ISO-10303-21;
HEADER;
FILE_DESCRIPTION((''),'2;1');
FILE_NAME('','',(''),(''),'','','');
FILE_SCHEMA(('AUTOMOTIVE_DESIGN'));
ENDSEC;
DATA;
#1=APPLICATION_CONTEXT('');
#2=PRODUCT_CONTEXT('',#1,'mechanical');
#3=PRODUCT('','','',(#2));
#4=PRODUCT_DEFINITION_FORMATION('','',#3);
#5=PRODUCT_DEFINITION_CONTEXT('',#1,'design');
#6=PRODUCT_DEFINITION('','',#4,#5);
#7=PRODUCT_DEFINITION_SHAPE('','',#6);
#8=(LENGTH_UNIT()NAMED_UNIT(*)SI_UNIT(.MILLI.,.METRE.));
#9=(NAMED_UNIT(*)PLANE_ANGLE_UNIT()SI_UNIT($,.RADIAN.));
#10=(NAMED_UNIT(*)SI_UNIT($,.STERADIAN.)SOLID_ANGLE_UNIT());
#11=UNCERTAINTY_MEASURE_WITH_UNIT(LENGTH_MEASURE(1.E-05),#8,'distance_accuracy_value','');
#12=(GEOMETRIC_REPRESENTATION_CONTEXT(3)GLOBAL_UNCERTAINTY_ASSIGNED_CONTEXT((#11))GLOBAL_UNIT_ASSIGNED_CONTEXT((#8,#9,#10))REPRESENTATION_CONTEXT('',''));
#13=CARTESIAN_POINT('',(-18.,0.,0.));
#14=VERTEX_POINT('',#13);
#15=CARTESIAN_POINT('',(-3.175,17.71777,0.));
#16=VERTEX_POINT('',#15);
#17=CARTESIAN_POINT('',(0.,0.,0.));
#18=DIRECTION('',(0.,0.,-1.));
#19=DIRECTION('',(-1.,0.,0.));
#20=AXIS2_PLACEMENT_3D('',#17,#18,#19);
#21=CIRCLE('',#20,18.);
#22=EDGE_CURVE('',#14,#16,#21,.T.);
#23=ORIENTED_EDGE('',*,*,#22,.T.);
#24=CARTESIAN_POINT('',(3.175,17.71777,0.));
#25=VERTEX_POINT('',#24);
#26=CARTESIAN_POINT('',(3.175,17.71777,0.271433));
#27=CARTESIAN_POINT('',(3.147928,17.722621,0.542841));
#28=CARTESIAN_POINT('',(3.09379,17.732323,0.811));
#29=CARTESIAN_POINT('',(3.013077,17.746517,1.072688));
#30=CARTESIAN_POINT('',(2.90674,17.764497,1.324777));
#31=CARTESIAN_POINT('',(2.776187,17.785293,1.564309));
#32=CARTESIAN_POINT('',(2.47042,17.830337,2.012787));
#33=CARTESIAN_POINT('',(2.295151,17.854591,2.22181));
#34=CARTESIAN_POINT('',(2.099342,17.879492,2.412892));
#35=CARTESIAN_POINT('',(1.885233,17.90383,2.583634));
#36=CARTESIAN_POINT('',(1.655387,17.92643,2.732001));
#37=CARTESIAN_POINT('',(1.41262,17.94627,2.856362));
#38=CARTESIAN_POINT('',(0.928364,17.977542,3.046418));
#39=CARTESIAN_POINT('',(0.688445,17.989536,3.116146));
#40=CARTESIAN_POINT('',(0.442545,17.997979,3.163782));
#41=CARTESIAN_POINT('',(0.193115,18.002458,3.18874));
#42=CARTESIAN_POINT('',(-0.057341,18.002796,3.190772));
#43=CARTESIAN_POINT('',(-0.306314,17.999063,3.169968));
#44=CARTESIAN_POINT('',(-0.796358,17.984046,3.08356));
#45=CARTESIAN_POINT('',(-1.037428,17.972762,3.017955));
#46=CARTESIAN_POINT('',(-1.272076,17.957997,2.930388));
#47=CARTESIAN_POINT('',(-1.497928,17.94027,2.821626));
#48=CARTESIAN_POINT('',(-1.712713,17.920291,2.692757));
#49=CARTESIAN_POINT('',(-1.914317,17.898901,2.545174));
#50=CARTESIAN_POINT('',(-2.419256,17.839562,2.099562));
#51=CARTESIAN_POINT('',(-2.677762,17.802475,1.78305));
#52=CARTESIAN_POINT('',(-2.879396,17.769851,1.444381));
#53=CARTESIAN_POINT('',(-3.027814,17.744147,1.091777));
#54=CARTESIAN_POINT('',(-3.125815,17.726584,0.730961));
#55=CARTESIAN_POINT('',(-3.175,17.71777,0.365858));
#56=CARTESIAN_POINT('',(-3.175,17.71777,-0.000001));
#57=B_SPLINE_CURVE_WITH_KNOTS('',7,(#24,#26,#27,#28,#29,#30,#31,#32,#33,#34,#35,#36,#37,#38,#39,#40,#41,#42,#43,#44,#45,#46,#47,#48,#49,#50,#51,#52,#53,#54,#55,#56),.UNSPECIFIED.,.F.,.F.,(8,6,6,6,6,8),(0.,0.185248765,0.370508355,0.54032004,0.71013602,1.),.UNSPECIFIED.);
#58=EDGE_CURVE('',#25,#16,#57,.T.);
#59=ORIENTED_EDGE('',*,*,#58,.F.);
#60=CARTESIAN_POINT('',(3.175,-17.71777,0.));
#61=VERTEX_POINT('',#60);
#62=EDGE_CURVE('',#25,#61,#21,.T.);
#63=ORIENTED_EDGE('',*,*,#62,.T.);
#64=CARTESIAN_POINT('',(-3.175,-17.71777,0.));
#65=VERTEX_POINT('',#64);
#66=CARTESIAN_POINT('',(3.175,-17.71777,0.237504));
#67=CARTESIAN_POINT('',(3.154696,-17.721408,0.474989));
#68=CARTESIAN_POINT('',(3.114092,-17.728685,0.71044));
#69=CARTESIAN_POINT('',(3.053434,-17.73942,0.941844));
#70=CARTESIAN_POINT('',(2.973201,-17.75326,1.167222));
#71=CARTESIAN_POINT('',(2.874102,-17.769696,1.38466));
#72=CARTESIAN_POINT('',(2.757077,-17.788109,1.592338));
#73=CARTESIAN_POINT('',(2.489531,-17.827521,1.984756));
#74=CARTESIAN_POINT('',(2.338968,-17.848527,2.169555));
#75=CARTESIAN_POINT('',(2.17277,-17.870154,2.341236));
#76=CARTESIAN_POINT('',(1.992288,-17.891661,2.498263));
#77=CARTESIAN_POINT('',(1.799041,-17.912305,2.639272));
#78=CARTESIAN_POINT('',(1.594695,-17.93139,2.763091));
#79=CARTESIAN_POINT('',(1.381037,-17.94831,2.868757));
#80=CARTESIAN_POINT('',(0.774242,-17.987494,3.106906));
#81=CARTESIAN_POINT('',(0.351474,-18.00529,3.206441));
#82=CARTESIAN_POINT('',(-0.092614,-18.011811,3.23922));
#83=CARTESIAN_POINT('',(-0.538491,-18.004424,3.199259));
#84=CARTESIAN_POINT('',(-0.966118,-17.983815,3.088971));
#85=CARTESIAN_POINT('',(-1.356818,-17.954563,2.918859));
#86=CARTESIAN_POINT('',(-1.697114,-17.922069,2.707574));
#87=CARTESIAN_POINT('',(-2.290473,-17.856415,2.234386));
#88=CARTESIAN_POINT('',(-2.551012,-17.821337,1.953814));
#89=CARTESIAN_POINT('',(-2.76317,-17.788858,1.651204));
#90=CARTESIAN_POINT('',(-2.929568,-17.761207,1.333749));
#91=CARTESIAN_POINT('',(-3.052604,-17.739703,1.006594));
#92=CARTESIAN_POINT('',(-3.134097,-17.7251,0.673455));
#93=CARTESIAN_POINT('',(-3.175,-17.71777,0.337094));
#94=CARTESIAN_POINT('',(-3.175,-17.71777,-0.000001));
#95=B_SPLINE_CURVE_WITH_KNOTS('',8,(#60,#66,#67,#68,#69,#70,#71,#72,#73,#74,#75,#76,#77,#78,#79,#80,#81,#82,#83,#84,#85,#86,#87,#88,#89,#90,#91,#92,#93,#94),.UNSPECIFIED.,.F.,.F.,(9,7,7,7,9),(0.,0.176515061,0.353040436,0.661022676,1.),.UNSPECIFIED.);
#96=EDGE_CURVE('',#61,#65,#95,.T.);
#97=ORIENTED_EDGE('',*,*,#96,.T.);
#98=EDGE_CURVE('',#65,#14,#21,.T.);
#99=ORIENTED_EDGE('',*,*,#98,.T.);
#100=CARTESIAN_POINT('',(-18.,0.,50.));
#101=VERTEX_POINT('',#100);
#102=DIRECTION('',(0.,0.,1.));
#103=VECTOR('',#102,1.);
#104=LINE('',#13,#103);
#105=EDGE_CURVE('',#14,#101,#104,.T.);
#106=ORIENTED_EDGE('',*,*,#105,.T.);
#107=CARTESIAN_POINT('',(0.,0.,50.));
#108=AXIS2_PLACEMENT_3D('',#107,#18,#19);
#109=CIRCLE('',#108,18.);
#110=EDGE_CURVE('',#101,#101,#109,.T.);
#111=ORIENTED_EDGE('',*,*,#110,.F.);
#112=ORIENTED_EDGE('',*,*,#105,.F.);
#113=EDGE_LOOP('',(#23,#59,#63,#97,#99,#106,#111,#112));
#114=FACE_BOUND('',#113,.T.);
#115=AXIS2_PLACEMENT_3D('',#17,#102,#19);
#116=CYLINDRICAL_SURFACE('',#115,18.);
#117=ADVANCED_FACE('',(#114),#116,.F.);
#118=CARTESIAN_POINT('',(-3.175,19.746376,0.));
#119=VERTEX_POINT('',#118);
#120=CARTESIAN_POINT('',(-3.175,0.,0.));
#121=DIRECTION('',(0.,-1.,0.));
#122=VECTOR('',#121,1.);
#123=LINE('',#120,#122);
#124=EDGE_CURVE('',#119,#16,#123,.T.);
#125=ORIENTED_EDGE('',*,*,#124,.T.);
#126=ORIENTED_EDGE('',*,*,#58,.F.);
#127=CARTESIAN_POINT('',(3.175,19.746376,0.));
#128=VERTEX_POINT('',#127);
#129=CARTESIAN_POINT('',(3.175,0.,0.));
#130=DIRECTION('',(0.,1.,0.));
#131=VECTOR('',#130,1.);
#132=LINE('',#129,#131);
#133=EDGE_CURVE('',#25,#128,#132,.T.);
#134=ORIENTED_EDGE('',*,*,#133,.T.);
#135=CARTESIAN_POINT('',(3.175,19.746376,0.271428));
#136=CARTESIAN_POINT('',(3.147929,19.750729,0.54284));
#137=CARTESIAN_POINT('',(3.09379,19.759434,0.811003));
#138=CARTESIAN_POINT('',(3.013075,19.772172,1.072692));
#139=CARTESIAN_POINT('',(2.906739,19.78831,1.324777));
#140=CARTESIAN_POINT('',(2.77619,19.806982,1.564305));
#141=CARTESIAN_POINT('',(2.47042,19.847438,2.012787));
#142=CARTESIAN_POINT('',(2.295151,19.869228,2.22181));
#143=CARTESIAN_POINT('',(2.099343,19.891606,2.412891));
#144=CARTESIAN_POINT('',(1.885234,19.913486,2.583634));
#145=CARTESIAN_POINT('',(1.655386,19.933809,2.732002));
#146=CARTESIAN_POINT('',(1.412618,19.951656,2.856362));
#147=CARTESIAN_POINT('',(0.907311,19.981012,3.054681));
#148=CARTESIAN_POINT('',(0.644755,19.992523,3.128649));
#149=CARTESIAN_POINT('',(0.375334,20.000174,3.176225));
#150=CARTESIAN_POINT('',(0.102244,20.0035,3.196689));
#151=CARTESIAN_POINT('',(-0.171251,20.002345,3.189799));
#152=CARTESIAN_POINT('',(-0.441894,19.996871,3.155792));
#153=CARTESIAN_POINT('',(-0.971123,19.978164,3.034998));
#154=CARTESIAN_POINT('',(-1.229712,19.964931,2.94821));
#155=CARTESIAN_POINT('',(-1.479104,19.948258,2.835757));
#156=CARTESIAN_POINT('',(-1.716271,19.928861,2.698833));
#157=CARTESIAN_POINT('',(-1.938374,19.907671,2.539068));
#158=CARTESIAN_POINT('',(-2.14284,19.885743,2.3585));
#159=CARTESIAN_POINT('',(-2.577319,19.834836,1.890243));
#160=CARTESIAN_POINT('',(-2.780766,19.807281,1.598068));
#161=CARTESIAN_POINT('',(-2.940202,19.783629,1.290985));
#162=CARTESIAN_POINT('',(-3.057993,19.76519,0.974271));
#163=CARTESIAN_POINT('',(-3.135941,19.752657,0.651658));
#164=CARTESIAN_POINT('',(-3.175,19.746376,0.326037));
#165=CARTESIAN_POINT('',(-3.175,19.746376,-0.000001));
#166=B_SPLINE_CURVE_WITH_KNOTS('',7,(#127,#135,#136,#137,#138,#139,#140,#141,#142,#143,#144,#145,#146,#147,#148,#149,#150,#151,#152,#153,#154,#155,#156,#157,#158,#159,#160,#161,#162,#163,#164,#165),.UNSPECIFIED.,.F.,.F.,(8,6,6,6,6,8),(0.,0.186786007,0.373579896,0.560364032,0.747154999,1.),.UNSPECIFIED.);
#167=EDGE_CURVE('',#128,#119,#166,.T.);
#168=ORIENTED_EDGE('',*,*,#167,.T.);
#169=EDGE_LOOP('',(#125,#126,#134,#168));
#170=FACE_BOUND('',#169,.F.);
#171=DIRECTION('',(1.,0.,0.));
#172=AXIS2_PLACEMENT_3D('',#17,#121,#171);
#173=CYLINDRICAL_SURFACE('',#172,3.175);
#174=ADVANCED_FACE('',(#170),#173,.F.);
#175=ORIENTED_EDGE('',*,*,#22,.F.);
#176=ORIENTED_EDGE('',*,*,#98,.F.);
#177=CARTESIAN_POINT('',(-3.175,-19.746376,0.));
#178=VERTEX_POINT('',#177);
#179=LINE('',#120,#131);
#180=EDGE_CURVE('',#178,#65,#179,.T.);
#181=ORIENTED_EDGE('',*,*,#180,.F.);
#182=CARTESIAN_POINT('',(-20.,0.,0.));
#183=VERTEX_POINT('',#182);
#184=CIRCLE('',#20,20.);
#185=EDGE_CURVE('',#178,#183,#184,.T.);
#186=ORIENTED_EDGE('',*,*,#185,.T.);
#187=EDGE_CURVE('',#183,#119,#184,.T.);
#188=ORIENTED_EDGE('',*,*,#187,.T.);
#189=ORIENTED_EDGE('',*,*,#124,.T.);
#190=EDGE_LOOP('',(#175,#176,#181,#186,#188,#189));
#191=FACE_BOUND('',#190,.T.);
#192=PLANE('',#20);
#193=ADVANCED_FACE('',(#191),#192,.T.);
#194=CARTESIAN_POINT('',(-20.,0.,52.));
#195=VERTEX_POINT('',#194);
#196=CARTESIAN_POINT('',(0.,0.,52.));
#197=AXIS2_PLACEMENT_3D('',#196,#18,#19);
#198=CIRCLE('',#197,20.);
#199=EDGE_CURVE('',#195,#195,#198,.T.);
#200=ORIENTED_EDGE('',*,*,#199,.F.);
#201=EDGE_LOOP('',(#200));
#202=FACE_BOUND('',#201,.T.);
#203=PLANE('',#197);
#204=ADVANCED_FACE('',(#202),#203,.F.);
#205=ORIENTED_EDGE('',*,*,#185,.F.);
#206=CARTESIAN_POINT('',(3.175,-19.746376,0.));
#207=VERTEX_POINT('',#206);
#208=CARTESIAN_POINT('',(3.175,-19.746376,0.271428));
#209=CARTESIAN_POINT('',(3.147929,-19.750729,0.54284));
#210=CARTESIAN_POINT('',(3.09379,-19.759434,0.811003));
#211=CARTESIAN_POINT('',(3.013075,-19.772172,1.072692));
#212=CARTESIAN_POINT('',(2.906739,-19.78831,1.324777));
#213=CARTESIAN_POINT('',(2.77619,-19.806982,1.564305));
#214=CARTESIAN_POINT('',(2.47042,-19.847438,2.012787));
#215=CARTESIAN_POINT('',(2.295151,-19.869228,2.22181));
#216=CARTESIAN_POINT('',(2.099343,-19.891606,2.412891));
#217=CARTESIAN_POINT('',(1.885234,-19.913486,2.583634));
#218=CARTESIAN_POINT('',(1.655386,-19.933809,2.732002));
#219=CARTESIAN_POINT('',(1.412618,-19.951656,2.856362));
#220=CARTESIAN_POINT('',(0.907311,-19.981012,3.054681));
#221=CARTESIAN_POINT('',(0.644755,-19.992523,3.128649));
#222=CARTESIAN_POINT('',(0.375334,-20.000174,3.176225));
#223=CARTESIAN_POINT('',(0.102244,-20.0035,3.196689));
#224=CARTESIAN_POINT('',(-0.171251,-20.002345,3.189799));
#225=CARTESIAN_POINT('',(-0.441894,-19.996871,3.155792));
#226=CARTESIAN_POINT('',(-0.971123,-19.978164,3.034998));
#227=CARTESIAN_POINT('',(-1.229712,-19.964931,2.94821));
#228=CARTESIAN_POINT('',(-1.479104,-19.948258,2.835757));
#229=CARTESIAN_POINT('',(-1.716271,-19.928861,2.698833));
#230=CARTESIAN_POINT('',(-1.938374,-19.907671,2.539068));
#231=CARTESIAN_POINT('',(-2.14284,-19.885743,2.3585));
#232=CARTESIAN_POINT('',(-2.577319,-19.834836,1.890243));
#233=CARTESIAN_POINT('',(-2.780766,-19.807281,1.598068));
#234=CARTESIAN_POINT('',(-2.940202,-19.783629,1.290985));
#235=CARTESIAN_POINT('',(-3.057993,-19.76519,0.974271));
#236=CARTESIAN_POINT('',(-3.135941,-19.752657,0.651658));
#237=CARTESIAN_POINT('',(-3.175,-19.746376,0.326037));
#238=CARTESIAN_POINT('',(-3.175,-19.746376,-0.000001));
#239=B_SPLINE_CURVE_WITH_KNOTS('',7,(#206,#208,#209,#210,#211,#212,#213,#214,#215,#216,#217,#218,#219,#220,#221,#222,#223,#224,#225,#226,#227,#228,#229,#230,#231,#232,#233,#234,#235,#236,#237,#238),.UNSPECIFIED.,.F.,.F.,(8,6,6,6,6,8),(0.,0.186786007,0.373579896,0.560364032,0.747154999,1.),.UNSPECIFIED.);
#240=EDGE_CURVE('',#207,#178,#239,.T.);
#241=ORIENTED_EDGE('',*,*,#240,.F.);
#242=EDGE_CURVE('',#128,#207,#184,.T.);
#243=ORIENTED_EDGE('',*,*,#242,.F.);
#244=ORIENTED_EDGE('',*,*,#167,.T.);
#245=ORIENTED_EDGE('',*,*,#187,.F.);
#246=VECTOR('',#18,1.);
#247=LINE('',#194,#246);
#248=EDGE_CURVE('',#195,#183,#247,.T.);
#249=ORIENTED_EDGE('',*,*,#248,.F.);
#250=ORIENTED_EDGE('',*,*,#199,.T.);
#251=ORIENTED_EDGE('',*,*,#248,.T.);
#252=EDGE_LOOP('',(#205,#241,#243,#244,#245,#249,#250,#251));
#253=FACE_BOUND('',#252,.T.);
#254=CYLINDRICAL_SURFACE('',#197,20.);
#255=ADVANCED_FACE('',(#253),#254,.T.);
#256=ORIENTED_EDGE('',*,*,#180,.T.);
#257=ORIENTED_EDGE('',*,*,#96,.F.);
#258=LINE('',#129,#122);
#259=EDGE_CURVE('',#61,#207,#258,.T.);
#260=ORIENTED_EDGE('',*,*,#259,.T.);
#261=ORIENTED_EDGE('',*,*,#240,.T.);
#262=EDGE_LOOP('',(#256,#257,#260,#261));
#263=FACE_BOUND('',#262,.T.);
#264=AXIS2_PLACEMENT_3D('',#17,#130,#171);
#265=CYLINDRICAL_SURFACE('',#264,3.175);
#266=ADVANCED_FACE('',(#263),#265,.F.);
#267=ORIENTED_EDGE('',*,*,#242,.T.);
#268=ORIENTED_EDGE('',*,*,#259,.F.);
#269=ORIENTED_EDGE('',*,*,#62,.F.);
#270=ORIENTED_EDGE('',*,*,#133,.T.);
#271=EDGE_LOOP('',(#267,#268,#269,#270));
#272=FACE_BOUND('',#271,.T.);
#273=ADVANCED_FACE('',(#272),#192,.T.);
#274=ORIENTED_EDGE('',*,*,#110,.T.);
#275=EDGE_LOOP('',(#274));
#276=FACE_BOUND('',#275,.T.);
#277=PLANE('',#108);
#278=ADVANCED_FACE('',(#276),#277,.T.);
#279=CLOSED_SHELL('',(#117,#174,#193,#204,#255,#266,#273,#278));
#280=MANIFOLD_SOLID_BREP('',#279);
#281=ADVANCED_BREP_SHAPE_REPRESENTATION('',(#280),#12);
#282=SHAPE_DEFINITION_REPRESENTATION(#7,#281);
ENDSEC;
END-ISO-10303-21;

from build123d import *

# Parameters (mm, degrees)
F0_W          = 18
F0_H          = 2
F2_R          = 3.175
F3_DEPTH      = 20.001
F3_DEPTH_BACK = 20.001


with BuildPart() as f1:
    # F0 (on Front) → F1 (revolve)
    with BuildSketch(Plane.XZ):
        with Locations((-9, 51)):
            Rectangle(F0_W, F0_H)
        Polygon((-20, 0), (-18, 0), (-18, 50), (-18, 52), (-20, 52), align=None)
    revolve(axis=Axis((0, 0, 51), (0, 0, -1)))

    # F2 (on Front) → F3 (cut, two sides)
    with BuildSketch(Plane.XZ) as f3_sk:
        Circle(F2_R)
    extrude(amount=F3_DEPTH, mode=Mode.SUBTRACT)
    extrude(f3_sk.sketch, amount=-F3_DEPTH_BACK, mode=Mode.SUBTRACT)


solid = f1.part
